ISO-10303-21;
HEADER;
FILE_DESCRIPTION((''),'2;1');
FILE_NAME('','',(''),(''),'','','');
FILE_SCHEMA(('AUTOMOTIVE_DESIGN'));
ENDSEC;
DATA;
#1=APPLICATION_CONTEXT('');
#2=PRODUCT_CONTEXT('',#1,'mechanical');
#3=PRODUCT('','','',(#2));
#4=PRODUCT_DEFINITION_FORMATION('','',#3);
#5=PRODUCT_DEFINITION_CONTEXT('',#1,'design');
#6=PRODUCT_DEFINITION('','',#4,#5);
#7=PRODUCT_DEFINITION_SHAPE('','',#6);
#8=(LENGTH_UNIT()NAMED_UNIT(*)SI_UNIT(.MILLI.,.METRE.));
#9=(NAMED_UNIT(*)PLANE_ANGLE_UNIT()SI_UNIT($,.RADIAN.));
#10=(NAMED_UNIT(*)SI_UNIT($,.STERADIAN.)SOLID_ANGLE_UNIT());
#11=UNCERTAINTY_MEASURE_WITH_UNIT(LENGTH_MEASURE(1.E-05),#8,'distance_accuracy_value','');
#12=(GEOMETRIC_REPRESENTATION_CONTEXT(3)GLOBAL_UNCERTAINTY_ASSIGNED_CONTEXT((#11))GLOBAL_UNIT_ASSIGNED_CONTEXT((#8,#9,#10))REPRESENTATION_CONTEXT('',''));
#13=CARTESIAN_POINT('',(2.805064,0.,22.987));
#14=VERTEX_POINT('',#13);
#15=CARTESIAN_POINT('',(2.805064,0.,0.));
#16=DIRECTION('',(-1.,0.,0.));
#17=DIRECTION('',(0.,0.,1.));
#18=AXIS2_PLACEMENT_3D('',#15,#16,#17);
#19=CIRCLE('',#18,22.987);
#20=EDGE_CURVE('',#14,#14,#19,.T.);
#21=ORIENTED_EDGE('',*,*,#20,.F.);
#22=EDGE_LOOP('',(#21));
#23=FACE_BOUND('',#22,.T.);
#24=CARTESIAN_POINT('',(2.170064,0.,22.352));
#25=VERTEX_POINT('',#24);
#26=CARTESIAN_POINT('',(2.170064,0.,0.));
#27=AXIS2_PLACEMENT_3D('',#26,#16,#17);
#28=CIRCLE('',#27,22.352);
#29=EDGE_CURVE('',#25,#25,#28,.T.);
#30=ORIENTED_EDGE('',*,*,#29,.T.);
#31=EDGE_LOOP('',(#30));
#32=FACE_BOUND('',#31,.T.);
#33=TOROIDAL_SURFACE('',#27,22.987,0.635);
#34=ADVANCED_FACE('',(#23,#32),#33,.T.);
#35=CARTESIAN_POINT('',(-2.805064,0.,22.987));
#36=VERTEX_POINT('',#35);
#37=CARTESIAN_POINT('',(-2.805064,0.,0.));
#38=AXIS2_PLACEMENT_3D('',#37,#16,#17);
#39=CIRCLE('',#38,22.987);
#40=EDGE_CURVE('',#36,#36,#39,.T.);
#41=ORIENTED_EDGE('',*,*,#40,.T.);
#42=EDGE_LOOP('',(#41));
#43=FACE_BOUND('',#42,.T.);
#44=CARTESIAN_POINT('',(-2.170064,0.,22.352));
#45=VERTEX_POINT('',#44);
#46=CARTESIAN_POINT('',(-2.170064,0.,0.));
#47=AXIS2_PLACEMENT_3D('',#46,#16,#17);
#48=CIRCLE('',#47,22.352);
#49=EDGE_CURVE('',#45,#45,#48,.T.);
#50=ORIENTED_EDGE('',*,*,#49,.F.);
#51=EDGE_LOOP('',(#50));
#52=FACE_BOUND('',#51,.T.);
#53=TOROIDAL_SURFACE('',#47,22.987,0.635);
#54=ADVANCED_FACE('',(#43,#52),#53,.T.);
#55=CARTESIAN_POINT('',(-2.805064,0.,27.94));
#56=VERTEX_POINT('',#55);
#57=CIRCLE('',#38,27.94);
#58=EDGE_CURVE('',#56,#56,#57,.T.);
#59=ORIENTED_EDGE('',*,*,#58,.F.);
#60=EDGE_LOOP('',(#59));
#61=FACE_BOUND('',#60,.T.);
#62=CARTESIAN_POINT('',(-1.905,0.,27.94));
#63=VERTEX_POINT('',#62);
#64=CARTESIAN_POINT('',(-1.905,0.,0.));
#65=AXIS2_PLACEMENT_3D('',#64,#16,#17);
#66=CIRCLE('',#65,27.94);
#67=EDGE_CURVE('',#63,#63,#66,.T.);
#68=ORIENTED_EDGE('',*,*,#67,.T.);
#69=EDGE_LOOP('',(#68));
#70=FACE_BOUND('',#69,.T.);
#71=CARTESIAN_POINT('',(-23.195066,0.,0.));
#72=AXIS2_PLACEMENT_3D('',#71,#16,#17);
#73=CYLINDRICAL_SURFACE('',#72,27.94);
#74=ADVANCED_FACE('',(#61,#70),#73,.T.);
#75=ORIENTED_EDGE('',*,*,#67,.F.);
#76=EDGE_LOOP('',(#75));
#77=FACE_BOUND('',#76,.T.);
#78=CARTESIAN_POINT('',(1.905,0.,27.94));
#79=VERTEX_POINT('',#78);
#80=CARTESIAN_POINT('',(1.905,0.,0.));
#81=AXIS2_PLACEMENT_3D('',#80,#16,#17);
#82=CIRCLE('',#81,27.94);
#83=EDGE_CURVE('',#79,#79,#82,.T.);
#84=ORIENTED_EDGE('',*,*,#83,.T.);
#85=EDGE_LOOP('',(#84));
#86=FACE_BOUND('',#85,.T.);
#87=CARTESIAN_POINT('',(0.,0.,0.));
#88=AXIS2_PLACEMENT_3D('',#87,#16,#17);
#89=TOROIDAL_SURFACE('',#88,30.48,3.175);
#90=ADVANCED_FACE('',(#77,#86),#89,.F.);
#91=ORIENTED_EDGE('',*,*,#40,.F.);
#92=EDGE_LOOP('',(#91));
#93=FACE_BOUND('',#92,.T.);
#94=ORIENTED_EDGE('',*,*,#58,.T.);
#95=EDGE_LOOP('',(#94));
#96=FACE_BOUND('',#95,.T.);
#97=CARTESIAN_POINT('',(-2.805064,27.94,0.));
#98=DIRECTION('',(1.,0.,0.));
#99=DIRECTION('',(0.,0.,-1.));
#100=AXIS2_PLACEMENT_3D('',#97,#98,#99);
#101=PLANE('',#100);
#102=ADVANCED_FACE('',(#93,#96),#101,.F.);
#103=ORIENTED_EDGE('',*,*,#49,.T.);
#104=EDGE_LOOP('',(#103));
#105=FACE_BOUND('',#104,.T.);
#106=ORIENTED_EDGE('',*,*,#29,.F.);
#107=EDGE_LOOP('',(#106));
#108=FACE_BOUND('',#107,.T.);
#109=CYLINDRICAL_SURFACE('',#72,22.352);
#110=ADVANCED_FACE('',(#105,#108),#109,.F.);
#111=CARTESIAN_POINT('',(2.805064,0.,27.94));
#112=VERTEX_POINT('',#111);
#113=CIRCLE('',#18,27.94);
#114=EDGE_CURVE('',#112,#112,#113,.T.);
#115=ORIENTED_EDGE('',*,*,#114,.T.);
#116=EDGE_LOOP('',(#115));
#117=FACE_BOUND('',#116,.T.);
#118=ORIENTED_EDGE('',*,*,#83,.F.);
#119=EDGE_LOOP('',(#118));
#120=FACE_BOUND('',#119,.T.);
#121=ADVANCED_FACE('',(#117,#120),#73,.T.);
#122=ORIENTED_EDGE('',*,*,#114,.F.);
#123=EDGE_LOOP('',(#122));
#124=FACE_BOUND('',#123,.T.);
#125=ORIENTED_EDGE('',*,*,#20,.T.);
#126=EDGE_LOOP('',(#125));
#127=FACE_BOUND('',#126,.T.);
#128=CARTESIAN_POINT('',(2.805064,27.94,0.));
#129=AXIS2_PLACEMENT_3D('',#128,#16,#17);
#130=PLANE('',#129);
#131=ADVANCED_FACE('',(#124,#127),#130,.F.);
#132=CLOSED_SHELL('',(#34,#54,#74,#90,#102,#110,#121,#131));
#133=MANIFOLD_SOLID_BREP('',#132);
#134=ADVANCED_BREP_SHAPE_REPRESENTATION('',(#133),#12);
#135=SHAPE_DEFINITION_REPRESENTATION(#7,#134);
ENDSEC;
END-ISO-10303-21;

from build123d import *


with BuildPart() as part:
    # Sketch1 → Revolve1 (revolve)
    with BuildSketch(Plane.XY, mode=Mode.PRIVATE) as revolve1_sk:
        with BuildLine():
            Line((2.805064434, 27.94), (1.905, 27.94))
            ThreePointArc((1.905, 27.94), (0, 27.305), (-1.905, 27.94))
            Line((-1.905, 27.94), (-2.805064434, 27.94))
            Line((-2.805064434, 27.94), (-2.805064434, 22.987))
            ThreePointArc((-2.805064434, 22.987), (-2.61907724, 22.537987194), (-2.170064434, 22.352))
            Line((-2.170064434, 22.352), (2.170064434, 22.352))
            ThreePointArc((2.170064434, 22.352), (2.61907724, 22.537987194), (2.805064434, 22.987))
            Line((2.805064434, 22.987), (2.805064434, 27.94))
        make_face()
    revolve(revolve1_sk.sketch.rotate(Axis((-23.195066381, 0, 0), (1, 0, 0)), 90), axis=Axis((-23.195066381, 0, 0), (1, 0, 0)))


solid = part.part
